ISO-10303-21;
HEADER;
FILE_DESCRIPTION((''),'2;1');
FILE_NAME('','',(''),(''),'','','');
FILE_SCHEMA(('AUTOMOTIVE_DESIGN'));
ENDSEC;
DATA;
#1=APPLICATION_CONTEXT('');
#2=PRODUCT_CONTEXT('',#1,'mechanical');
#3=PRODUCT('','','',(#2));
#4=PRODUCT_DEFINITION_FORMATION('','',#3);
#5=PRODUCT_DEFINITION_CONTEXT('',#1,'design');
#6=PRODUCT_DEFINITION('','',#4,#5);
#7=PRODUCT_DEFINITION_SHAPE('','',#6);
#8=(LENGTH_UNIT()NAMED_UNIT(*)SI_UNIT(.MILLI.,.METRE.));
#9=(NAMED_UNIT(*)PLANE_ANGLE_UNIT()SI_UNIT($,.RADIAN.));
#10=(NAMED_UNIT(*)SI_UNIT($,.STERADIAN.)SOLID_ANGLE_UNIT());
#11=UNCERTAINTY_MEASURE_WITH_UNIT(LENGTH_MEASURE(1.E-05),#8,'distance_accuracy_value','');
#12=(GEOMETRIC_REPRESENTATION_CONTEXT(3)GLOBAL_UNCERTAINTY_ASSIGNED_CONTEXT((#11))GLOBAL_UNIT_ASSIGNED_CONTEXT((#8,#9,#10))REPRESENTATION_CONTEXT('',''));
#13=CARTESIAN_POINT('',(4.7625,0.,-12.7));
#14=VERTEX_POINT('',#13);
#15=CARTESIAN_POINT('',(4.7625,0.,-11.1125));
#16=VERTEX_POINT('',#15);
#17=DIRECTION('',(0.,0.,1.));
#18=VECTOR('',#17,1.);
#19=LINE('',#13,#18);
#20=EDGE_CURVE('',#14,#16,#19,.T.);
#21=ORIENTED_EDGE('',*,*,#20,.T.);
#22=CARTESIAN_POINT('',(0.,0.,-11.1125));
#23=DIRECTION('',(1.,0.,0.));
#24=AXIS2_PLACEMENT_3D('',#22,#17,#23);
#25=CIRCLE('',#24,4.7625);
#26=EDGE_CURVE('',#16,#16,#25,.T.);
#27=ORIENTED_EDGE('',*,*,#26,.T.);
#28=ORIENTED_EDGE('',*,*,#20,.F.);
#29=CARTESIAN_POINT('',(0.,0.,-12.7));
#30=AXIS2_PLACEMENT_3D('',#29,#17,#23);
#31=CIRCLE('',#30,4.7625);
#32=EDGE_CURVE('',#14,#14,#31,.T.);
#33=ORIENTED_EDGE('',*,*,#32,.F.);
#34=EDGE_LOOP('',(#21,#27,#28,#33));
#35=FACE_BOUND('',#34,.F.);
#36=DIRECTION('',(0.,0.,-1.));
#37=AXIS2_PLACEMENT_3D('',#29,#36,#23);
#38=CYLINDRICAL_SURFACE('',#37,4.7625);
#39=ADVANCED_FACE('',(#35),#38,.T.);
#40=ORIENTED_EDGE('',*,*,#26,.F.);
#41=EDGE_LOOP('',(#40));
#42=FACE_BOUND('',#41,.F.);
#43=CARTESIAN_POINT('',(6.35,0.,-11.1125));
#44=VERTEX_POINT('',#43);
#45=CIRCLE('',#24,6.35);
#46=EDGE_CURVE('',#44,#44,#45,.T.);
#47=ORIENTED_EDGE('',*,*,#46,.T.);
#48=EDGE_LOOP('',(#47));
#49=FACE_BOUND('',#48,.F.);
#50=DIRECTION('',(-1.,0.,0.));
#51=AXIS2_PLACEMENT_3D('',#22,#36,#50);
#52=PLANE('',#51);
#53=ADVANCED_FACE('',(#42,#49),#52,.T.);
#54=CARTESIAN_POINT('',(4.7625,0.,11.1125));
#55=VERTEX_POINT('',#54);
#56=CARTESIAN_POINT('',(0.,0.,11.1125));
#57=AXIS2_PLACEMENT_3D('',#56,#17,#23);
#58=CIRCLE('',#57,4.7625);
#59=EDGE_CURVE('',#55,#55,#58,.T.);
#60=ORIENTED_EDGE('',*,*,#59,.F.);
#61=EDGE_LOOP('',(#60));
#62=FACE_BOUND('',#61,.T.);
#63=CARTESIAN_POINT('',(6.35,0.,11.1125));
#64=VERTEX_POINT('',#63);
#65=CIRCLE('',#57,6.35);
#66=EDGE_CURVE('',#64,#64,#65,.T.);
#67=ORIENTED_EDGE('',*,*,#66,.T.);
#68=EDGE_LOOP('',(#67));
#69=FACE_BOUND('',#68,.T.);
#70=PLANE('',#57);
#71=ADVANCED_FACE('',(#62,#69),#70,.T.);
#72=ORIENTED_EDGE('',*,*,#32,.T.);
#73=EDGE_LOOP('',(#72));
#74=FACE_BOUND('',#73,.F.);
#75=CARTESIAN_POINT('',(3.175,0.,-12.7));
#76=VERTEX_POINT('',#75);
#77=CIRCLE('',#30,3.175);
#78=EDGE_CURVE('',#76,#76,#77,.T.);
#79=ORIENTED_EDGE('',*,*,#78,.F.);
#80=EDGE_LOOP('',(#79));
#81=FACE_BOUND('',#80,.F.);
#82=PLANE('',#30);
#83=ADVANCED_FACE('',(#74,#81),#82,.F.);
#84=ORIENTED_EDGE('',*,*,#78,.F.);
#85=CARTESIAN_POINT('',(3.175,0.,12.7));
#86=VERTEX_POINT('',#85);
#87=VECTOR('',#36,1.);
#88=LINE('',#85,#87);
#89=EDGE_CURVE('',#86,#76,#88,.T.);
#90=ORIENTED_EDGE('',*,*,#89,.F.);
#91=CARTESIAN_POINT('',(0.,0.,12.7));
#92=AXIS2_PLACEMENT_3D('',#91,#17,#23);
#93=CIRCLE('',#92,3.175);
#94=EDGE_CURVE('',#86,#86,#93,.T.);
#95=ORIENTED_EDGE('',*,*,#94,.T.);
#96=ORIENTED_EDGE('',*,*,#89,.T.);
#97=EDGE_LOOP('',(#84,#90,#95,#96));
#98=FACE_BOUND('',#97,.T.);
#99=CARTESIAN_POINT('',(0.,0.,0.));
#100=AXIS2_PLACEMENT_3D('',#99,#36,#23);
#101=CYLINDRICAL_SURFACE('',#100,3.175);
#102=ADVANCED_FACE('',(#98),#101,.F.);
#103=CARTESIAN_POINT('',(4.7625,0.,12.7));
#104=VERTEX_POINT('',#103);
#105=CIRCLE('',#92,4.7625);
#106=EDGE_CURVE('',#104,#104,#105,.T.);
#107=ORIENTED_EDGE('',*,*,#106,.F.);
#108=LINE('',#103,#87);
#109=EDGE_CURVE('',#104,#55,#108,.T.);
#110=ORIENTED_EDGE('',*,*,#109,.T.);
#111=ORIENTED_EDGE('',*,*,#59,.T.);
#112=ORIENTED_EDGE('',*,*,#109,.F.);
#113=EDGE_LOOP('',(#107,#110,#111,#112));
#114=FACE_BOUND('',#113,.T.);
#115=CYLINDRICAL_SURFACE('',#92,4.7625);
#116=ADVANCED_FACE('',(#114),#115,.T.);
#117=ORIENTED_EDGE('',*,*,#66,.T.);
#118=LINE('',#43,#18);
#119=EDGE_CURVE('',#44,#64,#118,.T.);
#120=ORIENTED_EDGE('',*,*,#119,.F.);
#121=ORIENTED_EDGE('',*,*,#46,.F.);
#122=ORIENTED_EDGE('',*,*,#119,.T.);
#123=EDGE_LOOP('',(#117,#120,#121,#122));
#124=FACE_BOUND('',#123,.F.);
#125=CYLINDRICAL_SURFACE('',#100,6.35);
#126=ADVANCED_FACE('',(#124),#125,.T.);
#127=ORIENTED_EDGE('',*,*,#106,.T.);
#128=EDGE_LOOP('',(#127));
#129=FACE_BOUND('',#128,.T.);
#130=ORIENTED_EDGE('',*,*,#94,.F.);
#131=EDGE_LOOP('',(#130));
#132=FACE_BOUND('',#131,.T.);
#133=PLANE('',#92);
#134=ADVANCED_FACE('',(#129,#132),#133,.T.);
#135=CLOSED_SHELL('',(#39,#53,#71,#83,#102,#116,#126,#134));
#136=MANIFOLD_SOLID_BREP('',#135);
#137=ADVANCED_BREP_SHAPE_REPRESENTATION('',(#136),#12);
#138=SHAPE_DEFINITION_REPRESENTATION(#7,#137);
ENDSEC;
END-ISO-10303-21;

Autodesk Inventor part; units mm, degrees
ref_plane "YZ Plane" through (0, 0, 0) normal (1, 0, 0) x (0, 1, 0)
ref_plane "XZ Plane" through (0, 0, 0) normal (0, 1, 0) x (-1, 0, 0)
ref_plane "XY Plane" through (0, 0, 0) normal (0, 0, 1) x (1, 0, 0)
sketch "Sketch1" plane through (0, 0, 0) normal (0, 0, 1) x (1, 0, 0)
  circle A0 centre (0, 0) radius 6.35
  circle A1 centre (0, 0) radius 3.175
  dimension "d0" = 12.7
  dimension "d13" = 3.175
extrude "Base" add sketch "Sketch1" along normal mid plane 25.4
sketch "Sketch4" plane through (0, 0, 12.7) normal (0, 0, 1) x (1, 0, 0)
  circle A0 centre (0, 0) radius 6.35 projected
  circle A1 centre (0, 0) radius 4.7625
  dimension "d16" = 9.525
extrude "Extrusion4" cut sketch "Sketch4" against normal blind 1.5875
mirror "Mirror2" about plane through (0, 0, 0) normal (0, 0, 1) of "Extrusion4"
properties part number "gearbox_standoff" material "Aluminum-6061"
